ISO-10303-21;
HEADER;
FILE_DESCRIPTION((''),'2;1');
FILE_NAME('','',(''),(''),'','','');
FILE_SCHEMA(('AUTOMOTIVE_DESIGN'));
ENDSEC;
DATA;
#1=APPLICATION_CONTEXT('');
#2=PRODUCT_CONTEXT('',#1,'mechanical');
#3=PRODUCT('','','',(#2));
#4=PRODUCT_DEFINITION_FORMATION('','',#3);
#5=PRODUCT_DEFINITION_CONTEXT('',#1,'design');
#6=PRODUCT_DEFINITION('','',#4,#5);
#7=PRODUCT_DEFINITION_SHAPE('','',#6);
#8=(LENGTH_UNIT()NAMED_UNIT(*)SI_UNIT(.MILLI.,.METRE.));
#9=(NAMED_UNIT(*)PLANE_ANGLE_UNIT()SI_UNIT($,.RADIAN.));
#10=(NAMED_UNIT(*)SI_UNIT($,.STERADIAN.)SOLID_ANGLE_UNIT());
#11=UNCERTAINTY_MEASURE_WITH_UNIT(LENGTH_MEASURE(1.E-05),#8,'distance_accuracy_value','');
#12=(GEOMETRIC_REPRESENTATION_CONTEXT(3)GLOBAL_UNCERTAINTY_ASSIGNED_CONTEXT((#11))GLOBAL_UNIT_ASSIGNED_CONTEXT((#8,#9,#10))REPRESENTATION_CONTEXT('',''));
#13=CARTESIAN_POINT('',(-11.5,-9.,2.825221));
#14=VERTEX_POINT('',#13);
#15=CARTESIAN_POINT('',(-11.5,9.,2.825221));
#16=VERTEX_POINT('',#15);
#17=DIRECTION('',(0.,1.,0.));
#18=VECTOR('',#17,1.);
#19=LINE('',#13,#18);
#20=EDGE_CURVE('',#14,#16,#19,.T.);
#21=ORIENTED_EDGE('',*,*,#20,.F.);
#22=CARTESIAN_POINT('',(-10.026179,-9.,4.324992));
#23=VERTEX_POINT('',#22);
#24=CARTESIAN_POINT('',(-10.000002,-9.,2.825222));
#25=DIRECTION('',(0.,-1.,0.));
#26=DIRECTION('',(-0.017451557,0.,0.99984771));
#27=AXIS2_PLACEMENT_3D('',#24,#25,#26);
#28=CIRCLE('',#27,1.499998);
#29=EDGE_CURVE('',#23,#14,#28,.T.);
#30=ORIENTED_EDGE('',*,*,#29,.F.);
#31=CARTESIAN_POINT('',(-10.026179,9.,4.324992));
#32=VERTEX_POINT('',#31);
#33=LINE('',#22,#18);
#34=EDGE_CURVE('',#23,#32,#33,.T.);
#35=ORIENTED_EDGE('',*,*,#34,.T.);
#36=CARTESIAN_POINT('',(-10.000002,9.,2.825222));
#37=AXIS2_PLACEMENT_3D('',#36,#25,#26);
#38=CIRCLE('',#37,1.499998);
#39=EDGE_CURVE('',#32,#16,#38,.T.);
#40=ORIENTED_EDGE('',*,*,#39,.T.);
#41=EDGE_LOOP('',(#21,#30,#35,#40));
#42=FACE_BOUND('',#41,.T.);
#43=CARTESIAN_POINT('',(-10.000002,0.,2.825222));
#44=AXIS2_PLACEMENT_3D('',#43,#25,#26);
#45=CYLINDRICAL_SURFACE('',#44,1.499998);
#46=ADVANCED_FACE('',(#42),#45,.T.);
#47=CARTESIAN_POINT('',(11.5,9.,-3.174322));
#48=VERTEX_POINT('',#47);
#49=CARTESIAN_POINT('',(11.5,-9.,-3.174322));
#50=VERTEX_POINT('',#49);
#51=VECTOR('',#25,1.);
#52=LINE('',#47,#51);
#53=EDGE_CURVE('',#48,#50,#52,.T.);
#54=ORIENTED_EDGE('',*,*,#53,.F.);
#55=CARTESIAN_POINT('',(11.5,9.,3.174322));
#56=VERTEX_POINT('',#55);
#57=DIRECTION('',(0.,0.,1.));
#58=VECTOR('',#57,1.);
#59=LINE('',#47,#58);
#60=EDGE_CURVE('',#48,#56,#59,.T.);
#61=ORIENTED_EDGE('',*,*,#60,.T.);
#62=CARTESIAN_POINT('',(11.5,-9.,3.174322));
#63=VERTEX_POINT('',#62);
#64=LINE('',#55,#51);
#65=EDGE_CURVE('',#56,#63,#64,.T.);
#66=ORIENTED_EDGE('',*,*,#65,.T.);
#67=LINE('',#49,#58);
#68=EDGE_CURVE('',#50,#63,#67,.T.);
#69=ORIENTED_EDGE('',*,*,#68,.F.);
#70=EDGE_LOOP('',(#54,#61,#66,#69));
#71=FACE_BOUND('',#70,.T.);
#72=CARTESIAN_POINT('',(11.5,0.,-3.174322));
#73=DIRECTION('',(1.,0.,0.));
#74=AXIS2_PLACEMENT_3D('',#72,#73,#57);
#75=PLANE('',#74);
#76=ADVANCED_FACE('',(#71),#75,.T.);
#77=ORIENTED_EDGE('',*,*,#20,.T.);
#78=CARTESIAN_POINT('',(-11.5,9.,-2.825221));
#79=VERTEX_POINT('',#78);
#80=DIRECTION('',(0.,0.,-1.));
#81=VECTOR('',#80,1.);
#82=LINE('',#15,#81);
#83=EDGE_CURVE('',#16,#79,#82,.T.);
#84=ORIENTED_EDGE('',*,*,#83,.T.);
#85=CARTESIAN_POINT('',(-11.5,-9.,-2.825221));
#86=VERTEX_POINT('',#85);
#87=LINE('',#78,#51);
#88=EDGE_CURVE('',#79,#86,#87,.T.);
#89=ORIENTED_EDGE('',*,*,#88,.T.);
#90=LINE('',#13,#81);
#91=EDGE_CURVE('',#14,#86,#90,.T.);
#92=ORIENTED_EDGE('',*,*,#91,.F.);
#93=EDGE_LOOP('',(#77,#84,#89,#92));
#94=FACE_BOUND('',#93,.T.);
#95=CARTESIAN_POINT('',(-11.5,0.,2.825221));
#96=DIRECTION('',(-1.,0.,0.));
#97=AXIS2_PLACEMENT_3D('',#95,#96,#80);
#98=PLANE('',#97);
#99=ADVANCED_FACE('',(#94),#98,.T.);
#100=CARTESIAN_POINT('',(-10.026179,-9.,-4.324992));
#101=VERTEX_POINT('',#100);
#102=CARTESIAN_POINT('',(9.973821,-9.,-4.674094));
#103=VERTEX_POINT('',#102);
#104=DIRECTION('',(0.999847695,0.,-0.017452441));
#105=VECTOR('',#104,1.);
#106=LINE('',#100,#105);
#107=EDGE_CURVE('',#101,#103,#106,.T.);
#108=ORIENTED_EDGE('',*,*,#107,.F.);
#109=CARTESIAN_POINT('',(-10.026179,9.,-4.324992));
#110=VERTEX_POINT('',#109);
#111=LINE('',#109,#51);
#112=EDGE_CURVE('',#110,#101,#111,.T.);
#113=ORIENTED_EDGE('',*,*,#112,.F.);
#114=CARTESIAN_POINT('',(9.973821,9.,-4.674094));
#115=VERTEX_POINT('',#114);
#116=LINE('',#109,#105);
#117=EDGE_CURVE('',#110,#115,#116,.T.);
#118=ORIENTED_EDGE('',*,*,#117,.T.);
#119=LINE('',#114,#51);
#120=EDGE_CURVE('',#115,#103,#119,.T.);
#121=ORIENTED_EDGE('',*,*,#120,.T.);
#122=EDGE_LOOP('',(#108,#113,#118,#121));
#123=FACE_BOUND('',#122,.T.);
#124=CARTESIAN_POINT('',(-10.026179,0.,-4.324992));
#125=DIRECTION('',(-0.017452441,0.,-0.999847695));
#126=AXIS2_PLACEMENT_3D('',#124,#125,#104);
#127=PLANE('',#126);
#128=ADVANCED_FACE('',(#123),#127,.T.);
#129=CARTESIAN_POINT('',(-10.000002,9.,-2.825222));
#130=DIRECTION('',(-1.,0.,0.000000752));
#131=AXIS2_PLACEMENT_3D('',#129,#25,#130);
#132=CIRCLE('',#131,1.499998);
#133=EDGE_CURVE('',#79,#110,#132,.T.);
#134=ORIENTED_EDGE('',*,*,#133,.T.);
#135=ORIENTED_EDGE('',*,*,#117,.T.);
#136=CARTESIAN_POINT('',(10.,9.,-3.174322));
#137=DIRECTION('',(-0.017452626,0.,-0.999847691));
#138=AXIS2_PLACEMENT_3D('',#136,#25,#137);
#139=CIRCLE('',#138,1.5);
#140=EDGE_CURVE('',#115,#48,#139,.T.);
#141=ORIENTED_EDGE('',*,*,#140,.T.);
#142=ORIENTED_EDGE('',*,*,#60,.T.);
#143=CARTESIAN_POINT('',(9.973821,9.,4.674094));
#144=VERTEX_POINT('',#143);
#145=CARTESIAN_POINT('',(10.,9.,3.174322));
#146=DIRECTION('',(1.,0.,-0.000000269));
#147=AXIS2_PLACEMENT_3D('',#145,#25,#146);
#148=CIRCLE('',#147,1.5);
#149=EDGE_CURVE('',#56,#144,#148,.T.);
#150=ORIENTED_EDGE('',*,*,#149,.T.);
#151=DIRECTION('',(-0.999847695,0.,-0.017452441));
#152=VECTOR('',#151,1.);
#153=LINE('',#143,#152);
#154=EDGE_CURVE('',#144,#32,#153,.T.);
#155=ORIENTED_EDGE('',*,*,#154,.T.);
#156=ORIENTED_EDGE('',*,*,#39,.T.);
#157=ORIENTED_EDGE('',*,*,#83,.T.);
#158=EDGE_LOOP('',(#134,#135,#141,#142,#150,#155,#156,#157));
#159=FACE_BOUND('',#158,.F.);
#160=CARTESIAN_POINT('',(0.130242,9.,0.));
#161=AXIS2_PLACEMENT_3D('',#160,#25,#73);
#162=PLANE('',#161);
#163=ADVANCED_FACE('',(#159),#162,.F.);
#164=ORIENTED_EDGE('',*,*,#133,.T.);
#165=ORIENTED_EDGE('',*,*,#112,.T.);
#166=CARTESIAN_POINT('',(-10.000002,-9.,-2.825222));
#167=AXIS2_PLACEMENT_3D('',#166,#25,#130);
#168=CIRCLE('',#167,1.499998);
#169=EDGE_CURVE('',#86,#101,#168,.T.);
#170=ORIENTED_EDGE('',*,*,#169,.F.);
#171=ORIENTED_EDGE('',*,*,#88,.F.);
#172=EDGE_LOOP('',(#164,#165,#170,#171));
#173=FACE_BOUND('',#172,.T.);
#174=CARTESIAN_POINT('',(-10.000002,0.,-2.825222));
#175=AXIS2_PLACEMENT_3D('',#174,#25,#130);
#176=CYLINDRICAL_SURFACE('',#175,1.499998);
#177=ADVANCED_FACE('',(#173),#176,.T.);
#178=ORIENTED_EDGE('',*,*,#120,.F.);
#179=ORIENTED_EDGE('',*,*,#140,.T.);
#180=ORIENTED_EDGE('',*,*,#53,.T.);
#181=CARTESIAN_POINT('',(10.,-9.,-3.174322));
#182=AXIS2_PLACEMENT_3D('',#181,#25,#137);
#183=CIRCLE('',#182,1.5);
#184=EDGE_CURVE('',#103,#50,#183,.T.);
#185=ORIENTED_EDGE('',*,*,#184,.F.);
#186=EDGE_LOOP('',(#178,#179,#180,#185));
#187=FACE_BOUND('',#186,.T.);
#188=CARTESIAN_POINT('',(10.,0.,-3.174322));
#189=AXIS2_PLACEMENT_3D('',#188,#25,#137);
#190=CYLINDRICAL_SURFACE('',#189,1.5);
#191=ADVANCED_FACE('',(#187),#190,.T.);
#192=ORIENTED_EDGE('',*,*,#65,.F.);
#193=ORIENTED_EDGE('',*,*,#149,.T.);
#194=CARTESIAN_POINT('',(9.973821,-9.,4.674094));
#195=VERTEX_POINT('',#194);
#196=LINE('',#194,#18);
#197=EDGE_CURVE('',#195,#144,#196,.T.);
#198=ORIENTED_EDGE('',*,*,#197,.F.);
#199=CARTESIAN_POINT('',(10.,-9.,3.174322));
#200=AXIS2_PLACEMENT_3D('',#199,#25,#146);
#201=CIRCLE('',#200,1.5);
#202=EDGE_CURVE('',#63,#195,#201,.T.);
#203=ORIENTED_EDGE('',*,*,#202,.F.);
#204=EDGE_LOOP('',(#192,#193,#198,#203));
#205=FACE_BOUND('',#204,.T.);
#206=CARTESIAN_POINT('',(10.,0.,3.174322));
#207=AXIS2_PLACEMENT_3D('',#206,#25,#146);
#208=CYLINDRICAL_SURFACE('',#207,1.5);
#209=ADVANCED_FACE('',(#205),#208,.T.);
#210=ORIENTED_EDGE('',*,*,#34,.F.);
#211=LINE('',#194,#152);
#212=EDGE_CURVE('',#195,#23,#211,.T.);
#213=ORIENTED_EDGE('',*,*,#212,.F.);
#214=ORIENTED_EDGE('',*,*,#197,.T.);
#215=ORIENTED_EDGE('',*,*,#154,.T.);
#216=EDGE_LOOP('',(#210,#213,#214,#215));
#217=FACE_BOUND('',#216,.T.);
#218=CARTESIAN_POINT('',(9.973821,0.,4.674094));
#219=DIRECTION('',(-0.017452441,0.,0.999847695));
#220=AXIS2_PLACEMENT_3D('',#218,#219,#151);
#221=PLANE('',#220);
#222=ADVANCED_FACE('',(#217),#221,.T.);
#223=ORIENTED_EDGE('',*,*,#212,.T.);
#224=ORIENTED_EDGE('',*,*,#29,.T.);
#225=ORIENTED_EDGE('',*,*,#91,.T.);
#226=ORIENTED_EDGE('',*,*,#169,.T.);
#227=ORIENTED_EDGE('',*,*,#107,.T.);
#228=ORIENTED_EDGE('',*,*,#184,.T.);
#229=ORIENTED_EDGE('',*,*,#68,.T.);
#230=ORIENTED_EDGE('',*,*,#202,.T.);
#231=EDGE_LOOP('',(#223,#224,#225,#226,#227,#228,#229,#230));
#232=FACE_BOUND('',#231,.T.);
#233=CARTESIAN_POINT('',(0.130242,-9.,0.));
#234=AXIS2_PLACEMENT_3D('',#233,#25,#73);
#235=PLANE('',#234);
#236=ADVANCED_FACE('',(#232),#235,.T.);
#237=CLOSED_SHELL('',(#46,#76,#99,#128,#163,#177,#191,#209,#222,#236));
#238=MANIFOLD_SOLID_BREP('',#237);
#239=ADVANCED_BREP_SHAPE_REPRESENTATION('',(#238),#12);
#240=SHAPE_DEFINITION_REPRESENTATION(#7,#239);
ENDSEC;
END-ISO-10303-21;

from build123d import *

# Parameters (mm, degrees)
F1_DEPTH = 9


with BuildPart() as f1:
    # F0 (on Front) → F1 (new body, symmetric)
    with BuildSketch(Plane.XZ):
        with BuildLine():
            Line((-11.5, 2.825221), (-11.5, -2.825221))
            ThreePointArc((-11.5, -2.825221), (-11.069876, -3.876585), (-10.026179, -4.324992))
            Line((-10.026179, -4.324992), (9.973821, -4.674094))
            ThreePointArc((9.973821, -4.674094), (11.051364, -4.244198), (11.5, -3.174322))
            Line((11.5, -3.174322), (11.5, 3.174322))
            ThreePointArc((11.5, 3.174322), (11.051364, 4.244198), (9.973821, 4.674094))
            Line((9.973821, 4.674094), (-10.026179, 4.324992))
            ThreePointArc((-10.026179, 4.324992), (-11.069876, 3.876585), (-11.5, 2.825221))
        make_face()
    extrude(amount=F1_DEPTH, both=True)


solid = f1.part
